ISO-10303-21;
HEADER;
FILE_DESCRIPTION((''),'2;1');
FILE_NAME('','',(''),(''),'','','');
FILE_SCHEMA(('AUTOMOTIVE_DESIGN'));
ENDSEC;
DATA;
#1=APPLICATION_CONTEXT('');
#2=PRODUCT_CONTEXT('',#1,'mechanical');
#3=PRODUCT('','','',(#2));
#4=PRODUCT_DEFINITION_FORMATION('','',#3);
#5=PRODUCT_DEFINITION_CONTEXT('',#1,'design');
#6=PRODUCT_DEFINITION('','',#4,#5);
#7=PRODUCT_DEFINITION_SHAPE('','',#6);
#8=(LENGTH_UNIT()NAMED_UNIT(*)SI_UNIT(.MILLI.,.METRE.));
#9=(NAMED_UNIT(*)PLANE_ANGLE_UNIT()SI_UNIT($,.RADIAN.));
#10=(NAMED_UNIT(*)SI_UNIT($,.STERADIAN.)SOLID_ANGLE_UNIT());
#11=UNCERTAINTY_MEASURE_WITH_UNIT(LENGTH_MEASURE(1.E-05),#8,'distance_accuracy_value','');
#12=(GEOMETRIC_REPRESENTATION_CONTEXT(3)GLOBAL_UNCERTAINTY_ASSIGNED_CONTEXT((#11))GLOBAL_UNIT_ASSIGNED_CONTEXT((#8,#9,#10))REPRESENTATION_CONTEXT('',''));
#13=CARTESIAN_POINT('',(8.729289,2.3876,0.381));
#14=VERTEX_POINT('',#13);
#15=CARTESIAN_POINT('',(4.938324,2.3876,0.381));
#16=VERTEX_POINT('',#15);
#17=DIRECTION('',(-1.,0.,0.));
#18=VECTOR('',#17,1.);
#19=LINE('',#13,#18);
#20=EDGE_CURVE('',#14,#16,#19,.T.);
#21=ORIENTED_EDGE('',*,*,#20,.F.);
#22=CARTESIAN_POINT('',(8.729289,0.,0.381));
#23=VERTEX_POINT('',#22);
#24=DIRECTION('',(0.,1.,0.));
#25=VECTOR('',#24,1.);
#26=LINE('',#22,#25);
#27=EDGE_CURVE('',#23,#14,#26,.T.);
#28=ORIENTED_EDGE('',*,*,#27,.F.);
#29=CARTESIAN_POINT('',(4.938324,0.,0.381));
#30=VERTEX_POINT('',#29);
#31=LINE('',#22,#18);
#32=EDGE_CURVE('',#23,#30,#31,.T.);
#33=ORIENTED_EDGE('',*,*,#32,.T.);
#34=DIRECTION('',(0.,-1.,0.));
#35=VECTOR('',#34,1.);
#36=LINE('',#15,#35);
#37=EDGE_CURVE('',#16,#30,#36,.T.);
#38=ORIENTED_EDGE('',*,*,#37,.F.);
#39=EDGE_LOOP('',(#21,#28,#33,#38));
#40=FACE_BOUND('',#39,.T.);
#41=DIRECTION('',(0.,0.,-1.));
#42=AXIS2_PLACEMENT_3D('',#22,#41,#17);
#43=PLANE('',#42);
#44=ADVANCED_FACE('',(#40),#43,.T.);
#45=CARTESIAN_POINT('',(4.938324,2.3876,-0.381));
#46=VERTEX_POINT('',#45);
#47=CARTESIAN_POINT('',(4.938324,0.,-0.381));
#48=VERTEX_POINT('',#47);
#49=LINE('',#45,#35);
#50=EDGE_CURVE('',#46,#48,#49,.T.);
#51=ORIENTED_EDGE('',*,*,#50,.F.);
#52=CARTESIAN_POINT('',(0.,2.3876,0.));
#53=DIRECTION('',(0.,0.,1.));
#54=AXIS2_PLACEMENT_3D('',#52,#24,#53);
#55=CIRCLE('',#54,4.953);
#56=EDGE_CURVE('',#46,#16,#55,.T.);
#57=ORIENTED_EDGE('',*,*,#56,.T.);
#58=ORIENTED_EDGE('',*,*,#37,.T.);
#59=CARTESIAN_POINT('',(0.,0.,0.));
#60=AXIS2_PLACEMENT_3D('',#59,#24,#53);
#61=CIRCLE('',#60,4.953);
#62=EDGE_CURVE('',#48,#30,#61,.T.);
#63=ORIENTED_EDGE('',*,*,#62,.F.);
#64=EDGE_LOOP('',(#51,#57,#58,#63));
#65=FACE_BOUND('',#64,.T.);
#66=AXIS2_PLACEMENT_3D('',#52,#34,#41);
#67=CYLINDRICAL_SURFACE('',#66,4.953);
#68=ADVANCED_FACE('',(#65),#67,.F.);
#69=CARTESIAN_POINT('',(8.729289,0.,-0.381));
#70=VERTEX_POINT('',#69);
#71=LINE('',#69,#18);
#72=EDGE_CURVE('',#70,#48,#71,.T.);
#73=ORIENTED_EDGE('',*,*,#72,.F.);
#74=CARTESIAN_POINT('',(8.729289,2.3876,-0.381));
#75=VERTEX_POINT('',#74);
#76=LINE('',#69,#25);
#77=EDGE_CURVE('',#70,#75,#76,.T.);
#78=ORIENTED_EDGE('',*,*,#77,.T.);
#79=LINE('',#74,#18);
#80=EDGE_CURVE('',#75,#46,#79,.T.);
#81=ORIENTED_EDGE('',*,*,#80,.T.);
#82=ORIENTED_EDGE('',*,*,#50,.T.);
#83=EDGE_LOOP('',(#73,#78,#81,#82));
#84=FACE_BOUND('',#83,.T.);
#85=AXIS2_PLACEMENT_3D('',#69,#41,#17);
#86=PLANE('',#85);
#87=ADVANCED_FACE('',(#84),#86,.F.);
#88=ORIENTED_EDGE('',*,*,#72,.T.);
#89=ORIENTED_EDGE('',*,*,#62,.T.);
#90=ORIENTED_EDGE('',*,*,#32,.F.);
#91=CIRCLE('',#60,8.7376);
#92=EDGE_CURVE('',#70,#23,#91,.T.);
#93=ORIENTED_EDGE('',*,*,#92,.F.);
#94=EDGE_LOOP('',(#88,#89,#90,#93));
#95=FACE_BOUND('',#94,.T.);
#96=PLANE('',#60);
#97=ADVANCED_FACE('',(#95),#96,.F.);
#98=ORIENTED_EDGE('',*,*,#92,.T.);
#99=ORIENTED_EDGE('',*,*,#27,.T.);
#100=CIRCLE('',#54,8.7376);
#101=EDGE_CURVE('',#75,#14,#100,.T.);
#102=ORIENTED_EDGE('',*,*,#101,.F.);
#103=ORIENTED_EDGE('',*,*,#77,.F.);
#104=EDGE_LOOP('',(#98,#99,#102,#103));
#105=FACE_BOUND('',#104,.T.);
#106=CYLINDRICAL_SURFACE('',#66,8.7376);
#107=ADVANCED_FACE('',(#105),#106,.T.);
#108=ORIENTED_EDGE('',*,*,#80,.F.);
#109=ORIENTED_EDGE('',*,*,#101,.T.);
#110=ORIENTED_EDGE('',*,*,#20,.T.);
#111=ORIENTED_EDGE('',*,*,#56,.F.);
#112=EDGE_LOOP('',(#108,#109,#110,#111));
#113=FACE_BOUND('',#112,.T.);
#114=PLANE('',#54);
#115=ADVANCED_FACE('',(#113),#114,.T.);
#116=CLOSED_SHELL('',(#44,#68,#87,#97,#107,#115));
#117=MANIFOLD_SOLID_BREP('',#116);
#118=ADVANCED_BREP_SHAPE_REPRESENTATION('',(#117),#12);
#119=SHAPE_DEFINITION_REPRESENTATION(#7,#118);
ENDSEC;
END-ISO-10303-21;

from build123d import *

# Parameters (mm, degrees)
SKETCH1_R          = 8.7376
SKETCH1_R_2        = 4.953
BASE_EXTRUDE_DEPTH = 2.3876
CUT_EXTRUDE1_DEPTH = 13.58538602


with BuildPart() as part:
    # Sketch1 → Base-Extrude (new body)
    with BuildSketch(Plane(origin=(0, 0, 0), x_dir=(1, 0, 0), z_dir=(0, 1, 0))):
        with Locations(Location((0, 0, 0), (0, 0, 270))):
            Circle(SKETCH1_R)
        with Locations(Location((0, 0, 0), (0, 0, 270))):
            Circle(SKETCH1_R_2, mode=Mode.SUBTRACT)
    extrude(amount=BASE_EXTRUDE_DEPTH)

    # Sketch2 → Cut-Extrude1 (cut, through all)
    with BuildSketch(Plane(origin=(0, 2.3876, 0), x_dir=(-1, 0, 0), z_dir=(0, 1, 0))):
        with BuildLine():
            Line((-8.729289362, -0.381), (0, -0.381))
            Line((0, -0.381), (0, 0.381))
            Line((0, 0.381), (-8.729289362, 0.381))
            ThreePointArc((-8.729289362, 0.381), (-8.7376, 0), (-8.729289362, -0.381))
        make_face()
    extrude(amount=-CUT_EXTRUDE1_DEPTH, mode=Mode.SUBTRACT)


solid = part.part
